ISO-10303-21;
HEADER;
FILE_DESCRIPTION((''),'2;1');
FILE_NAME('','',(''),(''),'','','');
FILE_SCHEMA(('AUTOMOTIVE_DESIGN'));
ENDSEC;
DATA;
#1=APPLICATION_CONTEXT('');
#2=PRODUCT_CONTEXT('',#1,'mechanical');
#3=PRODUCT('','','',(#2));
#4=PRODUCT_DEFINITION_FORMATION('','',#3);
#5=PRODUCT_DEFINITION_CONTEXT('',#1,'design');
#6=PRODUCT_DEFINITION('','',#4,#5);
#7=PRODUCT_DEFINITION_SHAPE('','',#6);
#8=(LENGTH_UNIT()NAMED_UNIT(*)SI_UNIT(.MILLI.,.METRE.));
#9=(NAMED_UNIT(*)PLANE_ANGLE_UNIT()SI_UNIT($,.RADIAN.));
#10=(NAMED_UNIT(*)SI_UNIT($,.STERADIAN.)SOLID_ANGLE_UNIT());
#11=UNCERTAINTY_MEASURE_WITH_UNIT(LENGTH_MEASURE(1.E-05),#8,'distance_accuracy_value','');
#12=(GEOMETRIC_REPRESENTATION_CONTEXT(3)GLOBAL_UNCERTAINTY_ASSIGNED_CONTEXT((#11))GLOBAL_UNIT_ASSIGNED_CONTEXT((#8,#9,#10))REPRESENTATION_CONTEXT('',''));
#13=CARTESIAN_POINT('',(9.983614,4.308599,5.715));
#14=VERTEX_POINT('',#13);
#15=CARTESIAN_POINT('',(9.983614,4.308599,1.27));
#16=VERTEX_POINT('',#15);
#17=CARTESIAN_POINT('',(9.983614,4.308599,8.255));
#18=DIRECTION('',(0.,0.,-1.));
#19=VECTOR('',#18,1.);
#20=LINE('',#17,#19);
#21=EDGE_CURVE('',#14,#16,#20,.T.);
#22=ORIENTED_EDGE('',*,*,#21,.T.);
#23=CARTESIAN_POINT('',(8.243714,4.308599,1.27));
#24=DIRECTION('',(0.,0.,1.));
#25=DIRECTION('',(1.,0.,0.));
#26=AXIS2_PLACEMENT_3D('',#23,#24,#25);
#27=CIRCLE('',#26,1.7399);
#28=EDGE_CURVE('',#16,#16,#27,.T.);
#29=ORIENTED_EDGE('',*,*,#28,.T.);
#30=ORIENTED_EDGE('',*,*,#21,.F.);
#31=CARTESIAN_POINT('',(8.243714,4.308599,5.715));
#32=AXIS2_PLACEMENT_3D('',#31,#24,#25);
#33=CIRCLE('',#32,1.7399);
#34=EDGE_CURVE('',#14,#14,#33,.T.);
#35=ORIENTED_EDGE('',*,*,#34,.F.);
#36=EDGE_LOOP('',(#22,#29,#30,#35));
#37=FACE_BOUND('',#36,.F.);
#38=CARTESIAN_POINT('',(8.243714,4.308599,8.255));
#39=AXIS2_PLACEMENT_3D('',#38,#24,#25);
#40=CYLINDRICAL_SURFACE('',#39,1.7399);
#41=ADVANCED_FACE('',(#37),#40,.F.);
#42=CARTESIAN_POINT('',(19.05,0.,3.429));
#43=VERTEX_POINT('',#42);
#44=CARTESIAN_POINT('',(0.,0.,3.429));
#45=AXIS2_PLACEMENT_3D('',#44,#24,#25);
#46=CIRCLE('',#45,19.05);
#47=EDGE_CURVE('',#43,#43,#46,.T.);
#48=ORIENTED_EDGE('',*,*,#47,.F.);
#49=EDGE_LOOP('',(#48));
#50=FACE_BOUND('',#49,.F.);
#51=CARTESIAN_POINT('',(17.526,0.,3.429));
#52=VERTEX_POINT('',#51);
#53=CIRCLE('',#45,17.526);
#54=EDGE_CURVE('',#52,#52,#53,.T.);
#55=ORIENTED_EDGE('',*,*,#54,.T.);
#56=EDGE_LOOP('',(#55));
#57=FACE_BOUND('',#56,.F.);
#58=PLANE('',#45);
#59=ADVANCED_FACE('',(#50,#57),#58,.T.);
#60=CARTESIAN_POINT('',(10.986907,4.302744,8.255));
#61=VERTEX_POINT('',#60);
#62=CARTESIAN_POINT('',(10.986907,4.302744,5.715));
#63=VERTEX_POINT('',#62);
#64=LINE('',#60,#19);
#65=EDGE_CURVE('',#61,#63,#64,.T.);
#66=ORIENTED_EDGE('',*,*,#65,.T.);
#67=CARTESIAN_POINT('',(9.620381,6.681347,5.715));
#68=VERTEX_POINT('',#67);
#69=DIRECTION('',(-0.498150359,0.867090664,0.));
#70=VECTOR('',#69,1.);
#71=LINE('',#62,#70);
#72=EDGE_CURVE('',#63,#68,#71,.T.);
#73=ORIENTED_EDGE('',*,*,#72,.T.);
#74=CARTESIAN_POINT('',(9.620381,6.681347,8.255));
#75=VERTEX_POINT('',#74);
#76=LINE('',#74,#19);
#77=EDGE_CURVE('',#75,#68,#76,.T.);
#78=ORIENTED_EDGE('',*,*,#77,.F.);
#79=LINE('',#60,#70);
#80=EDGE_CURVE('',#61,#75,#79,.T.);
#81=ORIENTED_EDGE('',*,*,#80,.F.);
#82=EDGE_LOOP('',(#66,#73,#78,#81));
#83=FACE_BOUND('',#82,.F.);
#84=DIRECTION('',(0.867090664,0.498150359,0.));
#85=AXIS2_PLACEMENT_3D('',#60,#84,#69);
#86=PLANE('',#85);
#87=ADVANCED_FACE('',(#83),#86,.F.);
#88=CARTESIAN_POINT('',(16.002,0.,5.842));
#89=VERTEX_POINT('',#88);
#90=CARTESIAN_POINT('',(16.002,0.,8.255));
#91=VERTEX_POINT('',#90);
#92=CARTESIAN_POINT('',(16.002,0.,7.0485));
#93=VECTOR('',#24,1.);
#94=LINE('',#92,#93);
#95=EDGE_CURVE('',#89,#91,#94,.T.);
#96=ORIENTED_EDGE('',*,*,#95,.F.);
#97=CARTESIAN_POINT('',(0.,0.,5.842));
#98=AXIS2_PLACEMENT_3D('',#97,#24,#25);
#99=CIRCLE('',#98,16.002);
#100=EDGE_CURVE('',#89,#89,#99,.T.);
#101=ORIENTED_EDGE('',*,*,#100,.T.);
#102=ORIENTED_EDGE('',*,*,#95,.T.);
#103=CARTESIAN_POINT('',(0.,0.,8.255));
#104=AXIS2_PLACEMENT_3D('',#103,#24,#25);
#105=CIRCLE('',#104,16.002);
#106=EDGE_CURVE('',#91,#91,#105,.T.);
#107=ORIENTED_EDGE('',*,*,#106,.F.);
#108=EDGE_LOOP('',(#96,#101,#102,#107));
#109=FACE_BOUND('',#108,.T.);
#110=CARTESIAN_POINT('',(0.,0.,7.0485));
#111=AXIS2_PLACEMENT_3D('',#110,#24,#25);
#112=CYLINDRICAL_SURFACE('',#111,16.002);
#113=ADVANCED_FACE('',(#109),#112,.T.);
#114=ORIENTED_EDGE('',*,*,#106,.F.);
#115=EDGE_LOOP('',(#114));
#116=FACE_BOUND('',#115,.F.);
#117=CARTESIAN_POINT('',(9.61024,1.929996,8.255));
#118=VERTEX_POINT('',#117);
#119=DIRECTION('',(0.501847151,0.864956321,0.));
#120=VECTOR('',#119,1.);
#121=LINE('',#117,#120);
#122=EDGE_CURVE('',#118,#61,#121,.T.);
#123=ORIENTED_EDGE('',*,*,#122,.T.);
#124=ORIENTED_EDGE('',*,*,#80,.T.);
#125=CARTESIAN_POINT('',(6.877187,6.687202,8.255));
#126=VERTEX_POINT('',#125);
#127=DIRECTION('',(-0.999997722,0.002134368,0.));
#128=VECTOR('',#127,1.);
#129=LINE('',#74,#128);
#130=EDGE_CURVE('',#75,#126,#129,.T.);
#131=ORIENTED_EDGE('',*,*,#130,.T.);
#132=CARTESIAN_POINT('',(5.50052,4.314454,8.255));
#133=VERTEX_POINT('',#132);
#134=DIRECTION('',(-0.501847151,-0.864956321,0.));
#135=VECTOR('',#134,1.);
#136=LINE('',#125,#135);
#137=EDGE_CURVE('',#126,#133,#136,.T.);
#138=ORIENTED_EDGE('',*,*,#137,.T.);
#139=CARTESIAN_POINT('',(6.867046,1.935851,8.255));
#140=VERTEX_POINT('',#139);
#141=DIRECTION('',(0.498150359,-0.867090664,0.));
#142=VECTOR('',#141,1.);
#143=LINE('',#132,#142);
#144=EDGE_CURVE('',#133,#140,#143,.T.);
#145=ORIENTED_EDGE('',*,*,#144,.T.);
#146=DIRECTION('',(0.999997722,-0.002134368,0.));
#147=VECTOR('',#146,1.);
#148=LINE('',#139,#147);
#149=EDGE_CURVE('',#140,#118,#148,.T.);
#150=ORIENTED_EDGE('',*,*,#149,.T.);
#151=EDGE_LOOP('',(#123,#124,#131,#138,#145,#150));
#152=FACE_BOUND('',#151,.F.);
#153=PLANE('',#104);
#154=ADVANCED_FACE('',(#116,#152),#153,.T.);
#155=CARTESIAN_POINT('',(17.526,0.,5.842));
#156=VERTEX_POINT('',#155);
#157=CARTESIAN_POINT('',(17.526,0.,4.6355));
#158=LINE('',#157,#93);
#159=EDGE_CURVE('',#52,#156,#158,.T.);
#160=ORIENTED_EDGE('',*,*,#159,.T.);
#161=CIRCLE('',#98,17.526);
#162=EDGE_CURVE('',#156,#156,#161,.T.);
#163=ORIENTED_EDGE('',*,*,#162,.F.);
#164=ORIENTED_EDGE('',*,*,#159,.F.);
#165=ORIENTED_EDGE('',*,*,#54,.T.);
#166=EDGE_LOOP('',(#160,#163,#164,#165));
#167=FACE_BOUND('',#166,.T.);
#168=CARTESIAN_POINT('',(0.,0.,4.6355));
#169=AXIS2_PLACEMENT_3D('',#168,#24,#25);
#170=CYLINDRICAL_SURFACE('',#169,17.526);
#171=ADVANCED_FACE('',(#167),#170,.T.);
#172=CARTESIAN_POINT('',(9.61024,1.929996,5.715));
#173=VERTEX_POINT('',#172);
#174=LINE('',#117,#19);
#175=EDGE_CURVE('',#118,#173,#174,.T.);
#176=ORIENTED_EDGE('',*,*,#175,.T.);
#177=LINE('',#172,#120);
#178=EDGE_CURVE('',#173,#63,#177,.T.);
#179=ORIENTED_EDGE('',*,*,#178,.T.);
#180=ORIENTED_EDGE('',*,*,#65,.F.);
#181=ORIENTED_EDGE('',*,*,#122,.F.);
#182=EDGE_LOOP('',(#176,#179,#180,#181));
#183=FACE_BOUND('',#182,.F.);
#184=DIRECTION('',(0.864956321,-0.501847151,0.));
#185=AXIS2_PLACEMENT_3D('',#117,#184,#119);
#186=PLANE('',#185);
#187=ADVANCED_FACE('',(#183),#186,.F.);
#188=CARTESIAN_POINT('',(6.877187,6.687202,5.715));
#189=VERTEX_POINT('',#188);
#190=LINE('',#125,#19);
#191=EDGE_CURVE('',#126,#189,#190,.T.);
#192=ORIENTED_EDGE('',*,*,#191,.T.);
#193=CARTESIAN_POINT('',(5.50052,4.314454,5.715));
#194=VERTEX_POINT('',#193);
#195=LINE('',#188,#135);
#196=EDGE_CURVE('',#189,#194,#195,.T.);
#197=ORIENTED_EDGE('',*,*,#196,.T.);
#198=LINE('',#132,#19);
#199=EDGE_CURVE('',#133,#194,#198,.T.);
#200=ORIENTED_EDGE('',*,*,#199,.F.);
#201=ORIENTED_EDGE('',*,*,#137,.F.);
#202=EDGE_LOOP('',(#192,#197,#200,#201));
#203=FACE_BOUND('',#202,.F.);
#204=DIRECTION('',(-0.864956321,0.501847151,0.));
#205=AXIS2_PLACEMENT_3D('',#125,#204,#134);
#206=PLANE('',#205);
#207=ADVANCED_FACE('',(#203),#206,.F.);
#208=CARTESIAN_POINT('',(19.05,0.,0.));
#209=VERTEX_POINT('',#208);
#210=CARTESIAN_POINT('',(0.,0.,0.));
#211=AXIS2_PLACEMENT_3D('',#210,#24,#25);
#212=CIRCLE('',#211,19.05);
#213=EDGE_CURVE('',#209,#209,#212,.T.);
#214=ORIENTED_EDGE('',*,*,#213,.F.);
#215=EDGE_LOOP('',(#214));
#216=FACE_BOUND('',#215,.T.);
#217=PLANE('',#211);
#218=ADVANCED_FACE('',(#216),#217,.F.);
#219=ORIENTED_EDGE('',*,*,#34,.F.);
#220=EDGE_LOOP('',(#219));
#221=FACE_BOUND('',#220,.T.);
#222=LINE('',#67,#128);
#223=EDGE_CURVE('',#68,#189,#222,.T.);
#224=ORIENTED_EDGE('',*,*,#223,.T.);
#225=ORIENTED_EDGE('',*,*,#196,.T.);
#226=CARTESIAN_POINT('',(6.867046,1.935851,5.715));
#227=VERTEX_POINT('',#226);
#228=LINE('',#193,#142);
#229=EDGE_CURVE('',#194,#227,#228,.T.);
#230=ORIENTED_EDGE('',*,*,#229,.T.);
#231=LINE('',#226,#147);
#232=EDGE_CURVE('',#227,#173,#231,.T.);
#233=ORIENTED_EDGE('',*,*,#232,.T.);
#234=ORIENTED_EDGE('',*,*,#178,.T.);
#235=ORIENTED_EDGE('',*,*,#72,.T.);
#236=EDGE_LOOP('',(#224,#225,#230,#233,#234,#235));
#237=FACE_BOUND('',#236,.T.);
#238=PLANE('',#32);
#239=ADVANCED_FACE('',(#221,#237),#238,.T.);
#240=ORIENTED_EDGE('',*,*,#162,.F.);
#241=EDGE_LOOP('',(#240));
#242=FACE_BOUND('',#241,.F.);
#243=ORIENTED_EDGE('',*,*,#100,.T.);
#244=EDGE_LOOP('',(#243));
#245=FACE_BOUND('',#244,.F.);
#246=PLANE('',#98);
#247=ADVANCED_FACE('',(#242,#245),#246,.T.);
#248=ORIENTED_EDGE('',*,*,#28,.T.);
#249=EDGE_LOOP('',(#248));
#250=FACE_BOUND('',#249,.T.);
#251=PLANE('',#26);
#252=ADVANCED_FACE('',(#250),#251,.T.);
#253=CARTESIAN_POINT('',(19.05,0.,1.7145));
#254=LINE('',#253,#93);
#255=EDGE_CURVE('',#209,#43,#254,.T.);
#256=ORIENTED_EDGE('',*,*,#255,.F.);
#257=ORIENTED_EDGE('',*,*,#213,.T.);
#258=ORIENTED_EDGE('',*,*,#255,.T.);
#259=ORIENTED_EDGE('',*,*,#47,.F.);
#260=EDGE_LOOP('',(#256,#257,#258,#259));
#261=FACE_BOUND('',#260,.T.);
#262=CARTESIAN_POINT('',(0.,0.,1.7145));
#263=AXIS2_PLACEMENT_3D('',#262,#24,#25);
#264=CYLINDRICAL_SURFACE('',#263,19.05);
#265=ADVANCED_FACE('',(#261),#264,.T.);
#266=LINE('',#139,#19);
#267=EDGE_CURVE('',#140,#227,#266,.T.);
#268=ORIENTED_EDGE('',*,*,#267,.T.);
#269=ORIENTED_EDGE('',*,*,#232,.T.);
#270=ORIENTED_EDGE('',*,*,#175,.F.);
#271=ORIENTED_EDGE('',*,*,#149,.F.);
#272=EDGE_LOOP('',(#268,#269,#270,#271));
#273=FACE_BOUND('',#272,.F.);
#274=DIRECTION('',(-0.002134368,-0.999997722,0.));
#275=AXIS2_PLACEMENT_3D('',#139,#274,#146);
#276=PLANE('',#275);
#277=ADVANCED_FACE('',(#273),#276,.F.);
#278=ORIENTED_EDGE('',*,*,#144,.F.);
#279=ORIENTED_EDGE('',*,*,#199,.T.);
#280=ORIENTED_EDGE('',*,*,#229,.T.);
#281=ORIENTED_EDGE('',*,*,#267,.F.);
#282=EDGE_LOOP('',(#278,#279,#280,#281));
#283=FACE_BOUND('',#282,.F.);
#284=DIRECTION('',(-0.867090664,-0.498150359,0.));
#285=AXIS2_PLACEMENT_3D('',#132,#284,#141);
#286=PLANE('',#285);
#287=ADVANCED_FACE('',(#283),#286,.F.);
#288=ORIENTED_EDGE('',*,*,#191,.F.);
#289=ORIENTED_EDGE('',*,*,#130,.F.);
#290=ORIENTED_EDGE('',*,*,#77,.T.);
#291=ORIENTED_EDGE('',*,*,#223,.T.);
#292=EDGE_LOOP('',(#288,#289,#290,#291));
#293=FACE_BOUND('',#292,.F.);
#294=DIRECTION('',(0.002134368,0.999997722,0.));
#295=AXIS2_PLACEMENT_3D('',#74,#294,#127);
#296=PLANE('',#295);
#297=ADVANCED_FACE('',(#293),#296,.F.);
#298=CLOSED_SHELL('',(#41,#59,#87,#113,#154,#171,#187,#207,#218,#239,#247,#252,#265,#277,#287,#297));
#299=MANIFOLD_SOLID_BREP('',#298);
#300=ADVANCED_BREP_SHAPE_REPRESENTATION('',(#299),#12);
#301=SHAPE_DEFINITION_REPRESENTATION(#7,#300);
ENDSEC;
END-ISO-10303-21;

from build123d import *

# Parameters (mm, degrees)
F0_W     = 19.05
F0_H     = 3.429
F2_W     = 17.526
F2_H     = 2.413
F4_W     = 16.002
F4_H     = 2.413
F6_R     = 1.7399
F7_DEPTH = 6.985
F9_DEPTH = 2.54


with BuildPart() as f1:
    # F0 (on Front) → F1 (revolve)
    with BuildSketch(Plane.XZ):
        with Locations((9.525, 1.7145)):
            Rectangle(F0_W, F0_H)
    revolve(axis=Axis((0, 0, 1.7145), (0, 0, 1)))

    # F2 (on Front) → F3 (revolve)
    with BuildSketch(Plane.XZ):
        with Locations((8.763, 4.6355)):
            Rectangle(F2_W, F2_H)
    revolve(axis=Axis((0, 0, 4.6355), (0, 0, 1)))

    # F4 (on Front) → F5 (revolve)
    with BuildSketch(Plane.XZ):
        with Locations((8.001, 7.0485)):
            Rectangle(F4_W, F4_H)
    revolve(axis=Axis((0, 0, 7.0485), (0, 0, 1)))

    # F6 (on face) → F7 (cut)
    with BuildSketch(Plane.XY.offset(8.255)):
        with Locations((8.243714, 4.308599)):
            Circle(F6_R)
    extrude(amount=-F7_DEPTH, mode=Mode.SUBTRACT)

    # F8 (on face) → F9 (cut)
    with BuildSketch(Plane.XY.offset(8.255)):
        Polygon((10.986907, 4.302744), (9.620381, 6.681347), (6.877187, 6.687202), (5.50052, 4.314454), (6.867046, 1.935851), (9.61024, 1.929996), align=None)
    extrude(amount=-F9_DEPTH, mode=Mode.SUBTRACT)


solid = f1.part
